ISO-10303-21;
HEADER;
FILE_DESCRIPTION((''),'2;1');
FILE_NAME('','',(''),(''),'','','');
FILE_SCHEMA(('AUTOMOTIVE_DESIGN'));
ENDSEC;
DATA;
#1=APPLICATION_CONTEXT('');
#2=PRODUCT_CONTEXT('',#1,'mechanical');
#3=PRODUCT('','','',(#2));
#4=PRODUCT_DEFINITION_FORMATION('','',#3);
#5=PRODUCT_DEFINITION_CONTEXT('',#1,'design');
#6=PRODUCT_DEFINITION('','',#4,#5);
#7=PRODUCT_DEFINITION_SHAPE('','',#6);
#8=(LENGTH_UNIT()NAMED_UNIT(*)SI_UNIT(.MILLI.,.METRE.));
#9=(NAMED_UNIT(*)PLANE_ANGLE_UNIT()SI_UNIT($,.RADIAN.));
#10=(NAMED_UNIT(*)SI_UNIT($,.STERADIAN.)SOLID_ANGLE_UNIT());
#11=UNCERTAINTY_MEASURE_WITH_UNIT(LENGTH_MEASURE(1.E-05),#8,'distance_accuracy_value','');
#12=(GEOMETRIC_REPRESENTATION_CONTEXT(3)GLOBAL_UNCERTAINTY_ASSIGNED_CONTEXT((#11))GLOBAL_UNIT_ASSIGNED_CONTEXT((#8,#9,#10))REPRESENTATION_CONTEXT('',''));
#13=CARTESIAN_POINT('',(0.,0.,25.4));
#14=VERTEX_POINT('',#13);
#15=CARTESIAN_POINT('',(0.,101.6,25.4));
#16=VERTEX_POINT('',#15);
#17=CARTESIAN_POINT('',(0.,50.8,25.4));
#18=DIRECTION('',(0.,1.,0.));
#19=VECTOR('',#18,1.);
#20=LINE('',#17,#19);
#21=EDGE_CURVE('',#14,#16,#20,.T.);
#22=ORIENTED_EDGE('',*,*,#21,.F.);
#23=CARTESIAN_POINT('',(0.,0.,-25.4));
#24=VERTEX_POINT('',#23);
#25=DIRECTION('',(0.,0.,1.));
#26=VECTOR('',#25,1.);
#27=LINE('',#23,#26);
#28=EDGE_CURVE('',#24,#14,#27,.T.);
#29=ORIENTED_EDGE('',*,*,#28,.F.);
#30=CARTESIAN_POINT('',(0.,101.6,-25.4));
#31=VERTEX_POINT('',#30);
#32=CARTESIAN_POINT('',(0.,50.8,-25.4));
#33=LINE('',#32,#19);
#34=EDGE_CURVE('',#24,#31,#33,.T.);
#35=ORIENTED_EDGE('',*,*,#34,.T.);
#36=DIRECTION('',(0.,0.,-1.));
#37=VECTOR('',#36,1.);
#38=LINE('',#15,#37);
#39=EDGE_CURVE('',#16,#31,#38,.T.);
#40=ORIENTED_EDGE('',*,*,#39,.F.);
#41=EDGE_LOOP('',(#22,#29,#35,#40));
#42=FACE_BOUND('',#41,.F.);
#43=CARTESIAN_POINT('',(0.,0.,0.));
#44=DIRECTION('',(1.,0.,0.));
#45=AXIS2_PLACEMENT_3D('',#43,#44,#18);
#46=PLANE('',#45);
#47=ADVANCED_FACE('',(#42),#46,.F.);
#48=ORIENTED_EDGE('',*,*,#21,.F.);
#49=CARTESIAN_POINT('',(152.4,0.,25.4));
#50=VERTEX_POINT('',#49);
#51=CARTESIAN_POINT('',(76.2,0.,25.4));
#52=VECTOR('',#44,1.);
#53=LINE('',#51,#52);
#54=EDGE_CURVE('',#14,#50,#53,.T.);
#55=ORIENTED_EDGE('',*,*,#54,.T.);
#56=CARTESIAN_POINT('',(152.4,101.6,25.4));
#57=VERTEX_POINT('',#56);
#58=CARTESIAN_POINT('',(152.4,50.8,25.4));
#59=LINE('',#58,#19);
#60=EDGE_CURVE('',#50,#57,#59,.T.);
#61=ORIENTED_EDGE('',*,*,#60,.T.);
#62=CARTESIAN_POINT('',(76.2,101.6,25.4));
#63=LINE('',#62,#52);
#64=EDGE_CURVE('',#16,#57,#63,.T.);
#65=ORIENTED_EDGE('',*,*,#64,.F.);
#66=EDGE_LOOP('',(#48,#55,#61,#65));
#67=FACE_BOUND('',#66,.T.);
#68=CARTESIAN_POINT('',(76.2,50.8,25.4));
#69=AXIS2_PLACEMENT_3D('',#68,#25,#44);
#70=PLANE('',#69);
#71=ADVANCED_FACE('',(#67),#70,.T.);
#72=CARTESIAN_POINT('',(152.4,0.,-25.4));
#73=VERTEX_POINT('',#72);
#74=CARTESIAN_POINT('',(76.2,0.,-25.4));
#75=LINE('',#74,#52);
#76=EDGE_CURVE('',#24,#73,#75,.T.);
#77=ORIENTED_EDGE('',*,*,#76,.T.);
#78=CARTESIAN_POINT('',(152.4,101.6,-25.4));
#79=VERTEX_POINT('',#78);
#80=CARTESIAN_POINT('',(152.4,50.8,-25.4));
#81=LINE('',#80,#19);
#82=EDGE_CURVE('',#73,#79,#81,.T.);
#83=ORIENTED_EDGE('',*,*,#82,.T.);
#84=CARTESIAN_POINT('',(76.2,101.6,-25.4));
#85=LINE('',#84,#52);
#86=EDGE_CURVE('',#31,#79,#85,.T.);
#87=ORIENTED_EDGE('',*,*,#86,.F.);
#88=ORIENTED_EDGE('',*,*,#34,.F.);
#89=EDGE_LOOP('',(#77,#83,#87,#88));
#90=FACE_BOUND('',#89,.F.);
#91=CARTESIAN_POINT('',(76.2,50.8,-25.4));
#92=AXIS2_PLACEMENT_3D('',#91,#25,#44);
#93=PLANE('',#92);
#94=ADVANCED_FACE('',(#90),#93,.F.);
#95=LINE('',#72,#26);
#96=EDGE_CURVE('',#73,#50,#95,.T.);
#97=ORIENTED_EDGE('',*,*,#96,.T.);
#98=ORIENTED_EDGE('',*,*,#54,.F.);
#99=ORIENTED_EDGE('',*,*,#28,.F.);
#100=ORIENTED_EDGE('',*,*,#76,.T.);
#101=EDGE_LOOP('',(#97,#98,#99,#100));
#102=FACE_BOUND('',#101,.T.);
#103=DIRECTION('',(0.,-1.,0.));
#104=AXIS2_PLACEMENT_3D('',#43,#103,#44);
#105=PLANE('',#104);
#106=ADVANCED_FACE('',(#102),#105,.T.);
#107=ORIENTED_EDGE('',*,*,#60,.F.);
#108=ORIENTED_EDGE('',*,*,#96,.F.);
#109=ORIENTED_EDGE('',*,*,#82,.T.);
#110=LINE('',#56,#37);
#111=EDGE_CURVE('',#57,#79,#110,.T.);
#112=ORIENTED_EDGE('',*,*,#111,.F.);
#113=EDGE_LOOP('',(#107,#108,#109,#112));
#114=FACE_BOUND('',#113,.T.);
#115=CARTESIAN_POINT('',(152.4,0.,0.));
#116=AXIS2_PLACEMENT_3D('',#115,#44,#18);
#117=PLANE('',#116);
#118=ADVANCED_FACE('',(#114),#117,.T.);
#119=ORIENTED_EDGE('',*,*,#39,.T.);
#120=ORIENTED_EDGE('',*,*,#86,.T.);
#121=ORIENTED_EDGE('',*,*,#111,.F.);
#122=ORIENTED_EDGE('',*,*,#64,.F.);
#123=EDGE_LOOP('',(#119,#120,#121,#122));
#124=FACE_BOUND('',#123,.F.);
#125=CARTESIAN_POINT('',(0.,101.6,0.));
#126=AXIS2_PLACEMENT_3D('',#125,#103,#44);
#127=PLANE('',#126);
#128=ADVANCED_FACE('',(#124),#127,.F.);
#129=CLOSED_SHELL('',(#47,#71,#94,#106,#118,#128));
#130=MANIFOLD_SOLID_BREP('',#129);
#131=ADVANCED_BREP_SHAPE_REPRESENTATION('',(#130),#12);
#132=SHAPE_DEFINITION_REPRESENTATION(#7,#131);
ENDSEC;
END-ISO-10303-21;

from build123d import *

# Parameters (mm, degrees)
SKETCH1_W           = 152.4
SKETCH1_H           = 101.6
BOSS_EXTRUDE1_DEPTH = 25.4


with BuildPart() as part:
    # Sketch1 → Boss-Extrude1 (new body, symmetric)
    with BuildSketch(Plane.XY):
        with Locations((76.2, 50.8)):
            Rectangle(SKETCH1_W, SKETCH1_H)
    extrude(amount=BOSS_EXTRUDE1_DEPTH, both=True)


solid = part.part
